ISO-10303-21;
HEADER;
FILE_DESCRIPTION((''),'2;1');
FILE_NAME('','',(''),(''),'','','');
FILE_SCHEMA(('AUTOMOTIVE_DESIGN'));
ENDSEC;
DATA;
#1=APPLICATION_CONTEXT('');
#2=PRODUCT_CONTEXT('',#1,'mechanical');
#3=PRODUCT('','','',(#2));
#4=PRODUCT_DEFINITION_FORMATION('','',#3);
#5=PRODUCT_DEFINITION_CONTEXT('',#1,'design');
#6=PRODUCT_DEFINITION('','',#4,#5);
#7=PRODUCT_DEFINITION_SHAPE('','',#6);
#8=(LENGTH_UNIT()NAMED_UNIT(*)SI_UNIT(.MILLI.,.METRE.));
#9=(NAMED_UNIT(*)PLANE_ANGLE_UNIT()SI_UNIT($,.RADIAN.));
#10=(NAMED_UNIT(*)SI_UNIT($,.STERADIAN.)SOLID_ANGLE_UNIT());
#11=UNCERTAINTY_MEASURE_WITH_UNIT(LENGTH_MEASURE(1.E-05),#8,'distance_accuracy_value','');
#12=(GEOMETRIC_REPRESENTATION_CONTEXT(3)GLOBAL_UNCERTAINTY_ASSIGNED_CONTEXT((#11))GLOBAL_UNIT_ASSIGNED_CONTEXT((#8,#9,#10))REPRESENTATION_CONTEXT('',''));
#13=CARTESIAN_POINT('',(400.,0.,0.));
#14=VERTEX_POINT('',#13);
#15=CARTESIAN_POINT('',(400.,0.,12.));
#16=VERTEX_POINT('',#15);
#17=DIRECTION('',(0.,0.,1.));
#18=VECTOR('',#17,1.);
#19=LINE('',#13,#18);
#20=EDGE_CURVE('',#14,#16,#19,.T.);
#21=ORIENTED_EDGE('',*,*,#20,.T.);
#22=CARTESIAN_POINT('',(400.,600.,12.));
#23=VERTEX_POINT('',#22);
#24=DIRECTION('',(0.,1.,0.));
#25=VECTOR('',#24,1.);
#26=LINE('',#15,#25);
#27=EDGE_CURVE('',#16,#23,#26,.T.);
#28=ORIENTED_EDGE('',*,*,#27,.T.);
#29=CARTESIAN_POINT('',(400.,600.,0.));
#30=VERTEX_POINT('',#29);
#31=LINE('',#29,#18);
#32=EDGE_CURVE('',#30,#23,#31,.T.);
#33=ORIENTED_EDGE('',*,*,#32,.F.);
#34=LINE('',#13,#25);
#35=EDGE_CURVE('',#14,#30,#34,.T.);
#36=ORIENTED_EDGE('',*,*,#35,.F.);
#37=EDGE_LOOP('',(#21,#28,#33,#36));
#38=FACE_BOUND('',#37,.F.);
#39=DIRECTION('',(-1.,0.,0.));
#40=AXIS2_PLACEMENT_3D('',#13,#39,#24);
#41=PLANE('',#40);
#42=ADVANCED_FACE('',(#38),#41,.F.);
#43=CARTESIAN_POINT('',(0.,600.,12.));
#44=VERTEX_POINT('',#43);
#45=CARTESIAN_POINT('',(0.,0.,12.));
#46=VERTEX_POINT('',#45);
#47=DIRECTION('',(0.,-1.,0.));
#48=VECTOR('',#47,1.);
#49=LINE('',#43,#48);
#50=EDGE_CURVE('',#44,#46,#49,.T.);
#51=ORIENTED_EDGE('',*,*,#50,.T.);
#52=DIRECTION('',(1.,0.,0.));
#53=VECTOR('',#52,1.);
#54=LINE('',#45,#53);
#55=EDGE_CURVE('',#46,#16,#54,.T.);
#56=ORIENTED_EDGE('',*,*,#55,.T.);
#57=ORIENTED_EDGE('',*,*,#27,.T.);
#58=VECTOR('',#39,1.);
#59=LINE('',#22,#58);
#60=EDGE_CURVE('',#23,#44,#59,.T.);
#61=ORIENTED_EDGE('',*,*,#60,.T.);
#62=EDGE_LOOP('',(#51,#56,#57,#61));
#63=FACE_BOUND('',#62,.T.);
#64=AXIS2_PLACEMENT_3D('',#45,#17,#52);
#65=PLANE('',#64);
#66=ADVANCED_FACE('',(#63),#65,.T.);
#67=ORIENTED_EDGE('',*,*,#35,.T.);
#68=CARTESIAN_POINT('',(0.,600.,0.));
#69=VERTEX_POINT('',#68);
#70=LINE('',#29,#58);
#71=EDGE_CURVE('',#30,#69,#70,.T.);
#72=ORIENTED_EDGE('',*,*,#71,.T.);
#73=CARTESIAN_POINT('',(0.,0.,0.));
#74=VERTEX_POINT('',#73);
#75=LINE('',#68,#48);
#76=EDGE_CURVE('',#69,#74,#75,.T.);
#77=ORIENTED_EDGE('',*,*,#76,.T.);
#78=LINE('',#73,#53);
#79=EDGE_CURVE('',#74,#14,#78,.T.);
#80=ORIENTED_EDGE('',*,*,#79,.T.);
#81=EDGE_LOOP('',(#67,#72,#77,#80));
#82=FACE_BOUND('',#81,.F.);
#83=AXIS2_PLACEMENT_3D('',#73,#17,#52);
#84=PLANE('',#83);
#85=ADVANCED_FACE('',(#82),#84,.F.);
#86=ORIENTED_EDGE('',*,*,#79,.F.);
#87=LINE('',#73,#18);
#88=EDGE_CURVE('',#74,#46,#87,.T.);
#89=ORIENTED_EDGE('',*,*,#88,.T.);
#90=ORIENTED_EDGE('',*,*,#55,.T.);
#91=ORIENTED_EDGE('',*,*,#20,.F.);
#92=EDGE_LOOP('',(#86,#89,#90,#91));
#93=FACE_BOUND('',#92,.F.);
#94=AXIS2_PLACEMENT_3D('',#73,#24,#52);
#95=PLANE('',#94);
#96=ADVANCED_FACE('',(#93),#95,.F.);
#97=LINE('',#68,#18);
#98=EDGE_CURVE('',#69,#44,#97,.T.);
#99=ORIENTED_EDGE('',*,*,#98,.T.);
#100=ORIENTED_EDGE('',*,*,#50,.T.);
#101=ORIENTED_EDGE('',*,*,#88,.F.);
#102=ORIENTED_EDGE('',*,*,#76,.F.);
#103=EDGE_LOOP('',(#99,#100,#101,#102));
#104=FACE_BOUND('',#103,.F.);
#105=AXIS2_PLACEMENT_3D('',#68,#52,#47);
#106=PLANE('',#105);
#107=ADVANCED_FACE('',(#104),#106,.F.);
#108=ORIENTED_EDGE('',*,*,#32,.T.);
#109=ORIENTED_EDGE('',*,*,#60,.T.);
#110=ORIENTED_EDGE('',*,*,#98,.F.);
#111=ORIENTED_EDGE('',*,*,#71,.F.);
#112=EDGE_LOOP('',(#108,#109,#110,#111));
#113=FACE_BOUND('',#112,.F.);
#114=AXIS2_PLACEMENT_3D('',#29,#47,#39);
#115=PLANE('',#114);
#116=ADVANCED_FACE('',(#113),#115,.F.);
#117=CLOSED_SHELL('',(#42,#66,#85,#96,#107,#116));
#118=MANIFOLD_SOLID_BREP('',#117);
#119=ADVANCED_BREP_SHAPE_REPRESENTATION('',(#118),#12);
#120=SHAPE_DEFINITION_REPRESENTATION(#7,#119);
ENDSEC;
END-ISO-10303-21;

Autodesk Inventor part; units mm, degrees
ref_plane "YZ Plane" through (0, 0, 0) normal (1, 0, 0) x (0, 1, 0)
ref_plane "XZ Plane" through (0, 0, 0) normal (0, 1, 0) x (-1, 0, 0)
ref_plane "XY Plane" through (0, 0, 0) normal (0, 0, 1) x (1, 0, 0)
sketch "Sketch1" plane through (0, 0, 0) normal (0, 0, 1) x (1, 0, 0)
  line L0 (0, 0) -> (400, 0)
  line L1 (400, 0) -> (400, 600)
  line L2 (400, 600) -> (0, 600)
  line L3 (0, 600) -> (0, 0)
  dimension "d0" = 400
  dimension "d1" = 600
extrude "Extrusion1" add sketch "Sketch1" along normal blind 12
hole "Hole1" [suppressed]
pattern_linear "Rectangular Pattern1" [suppressed]
sketch "Sketch2" plane through (0, 0, 12) normal (0, 0, 1) x (1, 0, 0)
  line L0 (400, 60) -> (370, 60)
  line L1 (370, 60) -> (370, 30)
  line L2 (370, 30) -> (400, 30)
  line L3 (400, 30) -> (400, 60)
  line L4 (0, 0) -> (400, 0) projected
  line L5 (400, 0) -> (400, 600) projected
  dimension "d28" = 30
  dimension "d29" = 30
  dimension "d30" = 30
  dimension "d33" = 0
extrude "Extrusion2" [suppressed]
properties part number "top plate" material "Wood (Cherry)"
